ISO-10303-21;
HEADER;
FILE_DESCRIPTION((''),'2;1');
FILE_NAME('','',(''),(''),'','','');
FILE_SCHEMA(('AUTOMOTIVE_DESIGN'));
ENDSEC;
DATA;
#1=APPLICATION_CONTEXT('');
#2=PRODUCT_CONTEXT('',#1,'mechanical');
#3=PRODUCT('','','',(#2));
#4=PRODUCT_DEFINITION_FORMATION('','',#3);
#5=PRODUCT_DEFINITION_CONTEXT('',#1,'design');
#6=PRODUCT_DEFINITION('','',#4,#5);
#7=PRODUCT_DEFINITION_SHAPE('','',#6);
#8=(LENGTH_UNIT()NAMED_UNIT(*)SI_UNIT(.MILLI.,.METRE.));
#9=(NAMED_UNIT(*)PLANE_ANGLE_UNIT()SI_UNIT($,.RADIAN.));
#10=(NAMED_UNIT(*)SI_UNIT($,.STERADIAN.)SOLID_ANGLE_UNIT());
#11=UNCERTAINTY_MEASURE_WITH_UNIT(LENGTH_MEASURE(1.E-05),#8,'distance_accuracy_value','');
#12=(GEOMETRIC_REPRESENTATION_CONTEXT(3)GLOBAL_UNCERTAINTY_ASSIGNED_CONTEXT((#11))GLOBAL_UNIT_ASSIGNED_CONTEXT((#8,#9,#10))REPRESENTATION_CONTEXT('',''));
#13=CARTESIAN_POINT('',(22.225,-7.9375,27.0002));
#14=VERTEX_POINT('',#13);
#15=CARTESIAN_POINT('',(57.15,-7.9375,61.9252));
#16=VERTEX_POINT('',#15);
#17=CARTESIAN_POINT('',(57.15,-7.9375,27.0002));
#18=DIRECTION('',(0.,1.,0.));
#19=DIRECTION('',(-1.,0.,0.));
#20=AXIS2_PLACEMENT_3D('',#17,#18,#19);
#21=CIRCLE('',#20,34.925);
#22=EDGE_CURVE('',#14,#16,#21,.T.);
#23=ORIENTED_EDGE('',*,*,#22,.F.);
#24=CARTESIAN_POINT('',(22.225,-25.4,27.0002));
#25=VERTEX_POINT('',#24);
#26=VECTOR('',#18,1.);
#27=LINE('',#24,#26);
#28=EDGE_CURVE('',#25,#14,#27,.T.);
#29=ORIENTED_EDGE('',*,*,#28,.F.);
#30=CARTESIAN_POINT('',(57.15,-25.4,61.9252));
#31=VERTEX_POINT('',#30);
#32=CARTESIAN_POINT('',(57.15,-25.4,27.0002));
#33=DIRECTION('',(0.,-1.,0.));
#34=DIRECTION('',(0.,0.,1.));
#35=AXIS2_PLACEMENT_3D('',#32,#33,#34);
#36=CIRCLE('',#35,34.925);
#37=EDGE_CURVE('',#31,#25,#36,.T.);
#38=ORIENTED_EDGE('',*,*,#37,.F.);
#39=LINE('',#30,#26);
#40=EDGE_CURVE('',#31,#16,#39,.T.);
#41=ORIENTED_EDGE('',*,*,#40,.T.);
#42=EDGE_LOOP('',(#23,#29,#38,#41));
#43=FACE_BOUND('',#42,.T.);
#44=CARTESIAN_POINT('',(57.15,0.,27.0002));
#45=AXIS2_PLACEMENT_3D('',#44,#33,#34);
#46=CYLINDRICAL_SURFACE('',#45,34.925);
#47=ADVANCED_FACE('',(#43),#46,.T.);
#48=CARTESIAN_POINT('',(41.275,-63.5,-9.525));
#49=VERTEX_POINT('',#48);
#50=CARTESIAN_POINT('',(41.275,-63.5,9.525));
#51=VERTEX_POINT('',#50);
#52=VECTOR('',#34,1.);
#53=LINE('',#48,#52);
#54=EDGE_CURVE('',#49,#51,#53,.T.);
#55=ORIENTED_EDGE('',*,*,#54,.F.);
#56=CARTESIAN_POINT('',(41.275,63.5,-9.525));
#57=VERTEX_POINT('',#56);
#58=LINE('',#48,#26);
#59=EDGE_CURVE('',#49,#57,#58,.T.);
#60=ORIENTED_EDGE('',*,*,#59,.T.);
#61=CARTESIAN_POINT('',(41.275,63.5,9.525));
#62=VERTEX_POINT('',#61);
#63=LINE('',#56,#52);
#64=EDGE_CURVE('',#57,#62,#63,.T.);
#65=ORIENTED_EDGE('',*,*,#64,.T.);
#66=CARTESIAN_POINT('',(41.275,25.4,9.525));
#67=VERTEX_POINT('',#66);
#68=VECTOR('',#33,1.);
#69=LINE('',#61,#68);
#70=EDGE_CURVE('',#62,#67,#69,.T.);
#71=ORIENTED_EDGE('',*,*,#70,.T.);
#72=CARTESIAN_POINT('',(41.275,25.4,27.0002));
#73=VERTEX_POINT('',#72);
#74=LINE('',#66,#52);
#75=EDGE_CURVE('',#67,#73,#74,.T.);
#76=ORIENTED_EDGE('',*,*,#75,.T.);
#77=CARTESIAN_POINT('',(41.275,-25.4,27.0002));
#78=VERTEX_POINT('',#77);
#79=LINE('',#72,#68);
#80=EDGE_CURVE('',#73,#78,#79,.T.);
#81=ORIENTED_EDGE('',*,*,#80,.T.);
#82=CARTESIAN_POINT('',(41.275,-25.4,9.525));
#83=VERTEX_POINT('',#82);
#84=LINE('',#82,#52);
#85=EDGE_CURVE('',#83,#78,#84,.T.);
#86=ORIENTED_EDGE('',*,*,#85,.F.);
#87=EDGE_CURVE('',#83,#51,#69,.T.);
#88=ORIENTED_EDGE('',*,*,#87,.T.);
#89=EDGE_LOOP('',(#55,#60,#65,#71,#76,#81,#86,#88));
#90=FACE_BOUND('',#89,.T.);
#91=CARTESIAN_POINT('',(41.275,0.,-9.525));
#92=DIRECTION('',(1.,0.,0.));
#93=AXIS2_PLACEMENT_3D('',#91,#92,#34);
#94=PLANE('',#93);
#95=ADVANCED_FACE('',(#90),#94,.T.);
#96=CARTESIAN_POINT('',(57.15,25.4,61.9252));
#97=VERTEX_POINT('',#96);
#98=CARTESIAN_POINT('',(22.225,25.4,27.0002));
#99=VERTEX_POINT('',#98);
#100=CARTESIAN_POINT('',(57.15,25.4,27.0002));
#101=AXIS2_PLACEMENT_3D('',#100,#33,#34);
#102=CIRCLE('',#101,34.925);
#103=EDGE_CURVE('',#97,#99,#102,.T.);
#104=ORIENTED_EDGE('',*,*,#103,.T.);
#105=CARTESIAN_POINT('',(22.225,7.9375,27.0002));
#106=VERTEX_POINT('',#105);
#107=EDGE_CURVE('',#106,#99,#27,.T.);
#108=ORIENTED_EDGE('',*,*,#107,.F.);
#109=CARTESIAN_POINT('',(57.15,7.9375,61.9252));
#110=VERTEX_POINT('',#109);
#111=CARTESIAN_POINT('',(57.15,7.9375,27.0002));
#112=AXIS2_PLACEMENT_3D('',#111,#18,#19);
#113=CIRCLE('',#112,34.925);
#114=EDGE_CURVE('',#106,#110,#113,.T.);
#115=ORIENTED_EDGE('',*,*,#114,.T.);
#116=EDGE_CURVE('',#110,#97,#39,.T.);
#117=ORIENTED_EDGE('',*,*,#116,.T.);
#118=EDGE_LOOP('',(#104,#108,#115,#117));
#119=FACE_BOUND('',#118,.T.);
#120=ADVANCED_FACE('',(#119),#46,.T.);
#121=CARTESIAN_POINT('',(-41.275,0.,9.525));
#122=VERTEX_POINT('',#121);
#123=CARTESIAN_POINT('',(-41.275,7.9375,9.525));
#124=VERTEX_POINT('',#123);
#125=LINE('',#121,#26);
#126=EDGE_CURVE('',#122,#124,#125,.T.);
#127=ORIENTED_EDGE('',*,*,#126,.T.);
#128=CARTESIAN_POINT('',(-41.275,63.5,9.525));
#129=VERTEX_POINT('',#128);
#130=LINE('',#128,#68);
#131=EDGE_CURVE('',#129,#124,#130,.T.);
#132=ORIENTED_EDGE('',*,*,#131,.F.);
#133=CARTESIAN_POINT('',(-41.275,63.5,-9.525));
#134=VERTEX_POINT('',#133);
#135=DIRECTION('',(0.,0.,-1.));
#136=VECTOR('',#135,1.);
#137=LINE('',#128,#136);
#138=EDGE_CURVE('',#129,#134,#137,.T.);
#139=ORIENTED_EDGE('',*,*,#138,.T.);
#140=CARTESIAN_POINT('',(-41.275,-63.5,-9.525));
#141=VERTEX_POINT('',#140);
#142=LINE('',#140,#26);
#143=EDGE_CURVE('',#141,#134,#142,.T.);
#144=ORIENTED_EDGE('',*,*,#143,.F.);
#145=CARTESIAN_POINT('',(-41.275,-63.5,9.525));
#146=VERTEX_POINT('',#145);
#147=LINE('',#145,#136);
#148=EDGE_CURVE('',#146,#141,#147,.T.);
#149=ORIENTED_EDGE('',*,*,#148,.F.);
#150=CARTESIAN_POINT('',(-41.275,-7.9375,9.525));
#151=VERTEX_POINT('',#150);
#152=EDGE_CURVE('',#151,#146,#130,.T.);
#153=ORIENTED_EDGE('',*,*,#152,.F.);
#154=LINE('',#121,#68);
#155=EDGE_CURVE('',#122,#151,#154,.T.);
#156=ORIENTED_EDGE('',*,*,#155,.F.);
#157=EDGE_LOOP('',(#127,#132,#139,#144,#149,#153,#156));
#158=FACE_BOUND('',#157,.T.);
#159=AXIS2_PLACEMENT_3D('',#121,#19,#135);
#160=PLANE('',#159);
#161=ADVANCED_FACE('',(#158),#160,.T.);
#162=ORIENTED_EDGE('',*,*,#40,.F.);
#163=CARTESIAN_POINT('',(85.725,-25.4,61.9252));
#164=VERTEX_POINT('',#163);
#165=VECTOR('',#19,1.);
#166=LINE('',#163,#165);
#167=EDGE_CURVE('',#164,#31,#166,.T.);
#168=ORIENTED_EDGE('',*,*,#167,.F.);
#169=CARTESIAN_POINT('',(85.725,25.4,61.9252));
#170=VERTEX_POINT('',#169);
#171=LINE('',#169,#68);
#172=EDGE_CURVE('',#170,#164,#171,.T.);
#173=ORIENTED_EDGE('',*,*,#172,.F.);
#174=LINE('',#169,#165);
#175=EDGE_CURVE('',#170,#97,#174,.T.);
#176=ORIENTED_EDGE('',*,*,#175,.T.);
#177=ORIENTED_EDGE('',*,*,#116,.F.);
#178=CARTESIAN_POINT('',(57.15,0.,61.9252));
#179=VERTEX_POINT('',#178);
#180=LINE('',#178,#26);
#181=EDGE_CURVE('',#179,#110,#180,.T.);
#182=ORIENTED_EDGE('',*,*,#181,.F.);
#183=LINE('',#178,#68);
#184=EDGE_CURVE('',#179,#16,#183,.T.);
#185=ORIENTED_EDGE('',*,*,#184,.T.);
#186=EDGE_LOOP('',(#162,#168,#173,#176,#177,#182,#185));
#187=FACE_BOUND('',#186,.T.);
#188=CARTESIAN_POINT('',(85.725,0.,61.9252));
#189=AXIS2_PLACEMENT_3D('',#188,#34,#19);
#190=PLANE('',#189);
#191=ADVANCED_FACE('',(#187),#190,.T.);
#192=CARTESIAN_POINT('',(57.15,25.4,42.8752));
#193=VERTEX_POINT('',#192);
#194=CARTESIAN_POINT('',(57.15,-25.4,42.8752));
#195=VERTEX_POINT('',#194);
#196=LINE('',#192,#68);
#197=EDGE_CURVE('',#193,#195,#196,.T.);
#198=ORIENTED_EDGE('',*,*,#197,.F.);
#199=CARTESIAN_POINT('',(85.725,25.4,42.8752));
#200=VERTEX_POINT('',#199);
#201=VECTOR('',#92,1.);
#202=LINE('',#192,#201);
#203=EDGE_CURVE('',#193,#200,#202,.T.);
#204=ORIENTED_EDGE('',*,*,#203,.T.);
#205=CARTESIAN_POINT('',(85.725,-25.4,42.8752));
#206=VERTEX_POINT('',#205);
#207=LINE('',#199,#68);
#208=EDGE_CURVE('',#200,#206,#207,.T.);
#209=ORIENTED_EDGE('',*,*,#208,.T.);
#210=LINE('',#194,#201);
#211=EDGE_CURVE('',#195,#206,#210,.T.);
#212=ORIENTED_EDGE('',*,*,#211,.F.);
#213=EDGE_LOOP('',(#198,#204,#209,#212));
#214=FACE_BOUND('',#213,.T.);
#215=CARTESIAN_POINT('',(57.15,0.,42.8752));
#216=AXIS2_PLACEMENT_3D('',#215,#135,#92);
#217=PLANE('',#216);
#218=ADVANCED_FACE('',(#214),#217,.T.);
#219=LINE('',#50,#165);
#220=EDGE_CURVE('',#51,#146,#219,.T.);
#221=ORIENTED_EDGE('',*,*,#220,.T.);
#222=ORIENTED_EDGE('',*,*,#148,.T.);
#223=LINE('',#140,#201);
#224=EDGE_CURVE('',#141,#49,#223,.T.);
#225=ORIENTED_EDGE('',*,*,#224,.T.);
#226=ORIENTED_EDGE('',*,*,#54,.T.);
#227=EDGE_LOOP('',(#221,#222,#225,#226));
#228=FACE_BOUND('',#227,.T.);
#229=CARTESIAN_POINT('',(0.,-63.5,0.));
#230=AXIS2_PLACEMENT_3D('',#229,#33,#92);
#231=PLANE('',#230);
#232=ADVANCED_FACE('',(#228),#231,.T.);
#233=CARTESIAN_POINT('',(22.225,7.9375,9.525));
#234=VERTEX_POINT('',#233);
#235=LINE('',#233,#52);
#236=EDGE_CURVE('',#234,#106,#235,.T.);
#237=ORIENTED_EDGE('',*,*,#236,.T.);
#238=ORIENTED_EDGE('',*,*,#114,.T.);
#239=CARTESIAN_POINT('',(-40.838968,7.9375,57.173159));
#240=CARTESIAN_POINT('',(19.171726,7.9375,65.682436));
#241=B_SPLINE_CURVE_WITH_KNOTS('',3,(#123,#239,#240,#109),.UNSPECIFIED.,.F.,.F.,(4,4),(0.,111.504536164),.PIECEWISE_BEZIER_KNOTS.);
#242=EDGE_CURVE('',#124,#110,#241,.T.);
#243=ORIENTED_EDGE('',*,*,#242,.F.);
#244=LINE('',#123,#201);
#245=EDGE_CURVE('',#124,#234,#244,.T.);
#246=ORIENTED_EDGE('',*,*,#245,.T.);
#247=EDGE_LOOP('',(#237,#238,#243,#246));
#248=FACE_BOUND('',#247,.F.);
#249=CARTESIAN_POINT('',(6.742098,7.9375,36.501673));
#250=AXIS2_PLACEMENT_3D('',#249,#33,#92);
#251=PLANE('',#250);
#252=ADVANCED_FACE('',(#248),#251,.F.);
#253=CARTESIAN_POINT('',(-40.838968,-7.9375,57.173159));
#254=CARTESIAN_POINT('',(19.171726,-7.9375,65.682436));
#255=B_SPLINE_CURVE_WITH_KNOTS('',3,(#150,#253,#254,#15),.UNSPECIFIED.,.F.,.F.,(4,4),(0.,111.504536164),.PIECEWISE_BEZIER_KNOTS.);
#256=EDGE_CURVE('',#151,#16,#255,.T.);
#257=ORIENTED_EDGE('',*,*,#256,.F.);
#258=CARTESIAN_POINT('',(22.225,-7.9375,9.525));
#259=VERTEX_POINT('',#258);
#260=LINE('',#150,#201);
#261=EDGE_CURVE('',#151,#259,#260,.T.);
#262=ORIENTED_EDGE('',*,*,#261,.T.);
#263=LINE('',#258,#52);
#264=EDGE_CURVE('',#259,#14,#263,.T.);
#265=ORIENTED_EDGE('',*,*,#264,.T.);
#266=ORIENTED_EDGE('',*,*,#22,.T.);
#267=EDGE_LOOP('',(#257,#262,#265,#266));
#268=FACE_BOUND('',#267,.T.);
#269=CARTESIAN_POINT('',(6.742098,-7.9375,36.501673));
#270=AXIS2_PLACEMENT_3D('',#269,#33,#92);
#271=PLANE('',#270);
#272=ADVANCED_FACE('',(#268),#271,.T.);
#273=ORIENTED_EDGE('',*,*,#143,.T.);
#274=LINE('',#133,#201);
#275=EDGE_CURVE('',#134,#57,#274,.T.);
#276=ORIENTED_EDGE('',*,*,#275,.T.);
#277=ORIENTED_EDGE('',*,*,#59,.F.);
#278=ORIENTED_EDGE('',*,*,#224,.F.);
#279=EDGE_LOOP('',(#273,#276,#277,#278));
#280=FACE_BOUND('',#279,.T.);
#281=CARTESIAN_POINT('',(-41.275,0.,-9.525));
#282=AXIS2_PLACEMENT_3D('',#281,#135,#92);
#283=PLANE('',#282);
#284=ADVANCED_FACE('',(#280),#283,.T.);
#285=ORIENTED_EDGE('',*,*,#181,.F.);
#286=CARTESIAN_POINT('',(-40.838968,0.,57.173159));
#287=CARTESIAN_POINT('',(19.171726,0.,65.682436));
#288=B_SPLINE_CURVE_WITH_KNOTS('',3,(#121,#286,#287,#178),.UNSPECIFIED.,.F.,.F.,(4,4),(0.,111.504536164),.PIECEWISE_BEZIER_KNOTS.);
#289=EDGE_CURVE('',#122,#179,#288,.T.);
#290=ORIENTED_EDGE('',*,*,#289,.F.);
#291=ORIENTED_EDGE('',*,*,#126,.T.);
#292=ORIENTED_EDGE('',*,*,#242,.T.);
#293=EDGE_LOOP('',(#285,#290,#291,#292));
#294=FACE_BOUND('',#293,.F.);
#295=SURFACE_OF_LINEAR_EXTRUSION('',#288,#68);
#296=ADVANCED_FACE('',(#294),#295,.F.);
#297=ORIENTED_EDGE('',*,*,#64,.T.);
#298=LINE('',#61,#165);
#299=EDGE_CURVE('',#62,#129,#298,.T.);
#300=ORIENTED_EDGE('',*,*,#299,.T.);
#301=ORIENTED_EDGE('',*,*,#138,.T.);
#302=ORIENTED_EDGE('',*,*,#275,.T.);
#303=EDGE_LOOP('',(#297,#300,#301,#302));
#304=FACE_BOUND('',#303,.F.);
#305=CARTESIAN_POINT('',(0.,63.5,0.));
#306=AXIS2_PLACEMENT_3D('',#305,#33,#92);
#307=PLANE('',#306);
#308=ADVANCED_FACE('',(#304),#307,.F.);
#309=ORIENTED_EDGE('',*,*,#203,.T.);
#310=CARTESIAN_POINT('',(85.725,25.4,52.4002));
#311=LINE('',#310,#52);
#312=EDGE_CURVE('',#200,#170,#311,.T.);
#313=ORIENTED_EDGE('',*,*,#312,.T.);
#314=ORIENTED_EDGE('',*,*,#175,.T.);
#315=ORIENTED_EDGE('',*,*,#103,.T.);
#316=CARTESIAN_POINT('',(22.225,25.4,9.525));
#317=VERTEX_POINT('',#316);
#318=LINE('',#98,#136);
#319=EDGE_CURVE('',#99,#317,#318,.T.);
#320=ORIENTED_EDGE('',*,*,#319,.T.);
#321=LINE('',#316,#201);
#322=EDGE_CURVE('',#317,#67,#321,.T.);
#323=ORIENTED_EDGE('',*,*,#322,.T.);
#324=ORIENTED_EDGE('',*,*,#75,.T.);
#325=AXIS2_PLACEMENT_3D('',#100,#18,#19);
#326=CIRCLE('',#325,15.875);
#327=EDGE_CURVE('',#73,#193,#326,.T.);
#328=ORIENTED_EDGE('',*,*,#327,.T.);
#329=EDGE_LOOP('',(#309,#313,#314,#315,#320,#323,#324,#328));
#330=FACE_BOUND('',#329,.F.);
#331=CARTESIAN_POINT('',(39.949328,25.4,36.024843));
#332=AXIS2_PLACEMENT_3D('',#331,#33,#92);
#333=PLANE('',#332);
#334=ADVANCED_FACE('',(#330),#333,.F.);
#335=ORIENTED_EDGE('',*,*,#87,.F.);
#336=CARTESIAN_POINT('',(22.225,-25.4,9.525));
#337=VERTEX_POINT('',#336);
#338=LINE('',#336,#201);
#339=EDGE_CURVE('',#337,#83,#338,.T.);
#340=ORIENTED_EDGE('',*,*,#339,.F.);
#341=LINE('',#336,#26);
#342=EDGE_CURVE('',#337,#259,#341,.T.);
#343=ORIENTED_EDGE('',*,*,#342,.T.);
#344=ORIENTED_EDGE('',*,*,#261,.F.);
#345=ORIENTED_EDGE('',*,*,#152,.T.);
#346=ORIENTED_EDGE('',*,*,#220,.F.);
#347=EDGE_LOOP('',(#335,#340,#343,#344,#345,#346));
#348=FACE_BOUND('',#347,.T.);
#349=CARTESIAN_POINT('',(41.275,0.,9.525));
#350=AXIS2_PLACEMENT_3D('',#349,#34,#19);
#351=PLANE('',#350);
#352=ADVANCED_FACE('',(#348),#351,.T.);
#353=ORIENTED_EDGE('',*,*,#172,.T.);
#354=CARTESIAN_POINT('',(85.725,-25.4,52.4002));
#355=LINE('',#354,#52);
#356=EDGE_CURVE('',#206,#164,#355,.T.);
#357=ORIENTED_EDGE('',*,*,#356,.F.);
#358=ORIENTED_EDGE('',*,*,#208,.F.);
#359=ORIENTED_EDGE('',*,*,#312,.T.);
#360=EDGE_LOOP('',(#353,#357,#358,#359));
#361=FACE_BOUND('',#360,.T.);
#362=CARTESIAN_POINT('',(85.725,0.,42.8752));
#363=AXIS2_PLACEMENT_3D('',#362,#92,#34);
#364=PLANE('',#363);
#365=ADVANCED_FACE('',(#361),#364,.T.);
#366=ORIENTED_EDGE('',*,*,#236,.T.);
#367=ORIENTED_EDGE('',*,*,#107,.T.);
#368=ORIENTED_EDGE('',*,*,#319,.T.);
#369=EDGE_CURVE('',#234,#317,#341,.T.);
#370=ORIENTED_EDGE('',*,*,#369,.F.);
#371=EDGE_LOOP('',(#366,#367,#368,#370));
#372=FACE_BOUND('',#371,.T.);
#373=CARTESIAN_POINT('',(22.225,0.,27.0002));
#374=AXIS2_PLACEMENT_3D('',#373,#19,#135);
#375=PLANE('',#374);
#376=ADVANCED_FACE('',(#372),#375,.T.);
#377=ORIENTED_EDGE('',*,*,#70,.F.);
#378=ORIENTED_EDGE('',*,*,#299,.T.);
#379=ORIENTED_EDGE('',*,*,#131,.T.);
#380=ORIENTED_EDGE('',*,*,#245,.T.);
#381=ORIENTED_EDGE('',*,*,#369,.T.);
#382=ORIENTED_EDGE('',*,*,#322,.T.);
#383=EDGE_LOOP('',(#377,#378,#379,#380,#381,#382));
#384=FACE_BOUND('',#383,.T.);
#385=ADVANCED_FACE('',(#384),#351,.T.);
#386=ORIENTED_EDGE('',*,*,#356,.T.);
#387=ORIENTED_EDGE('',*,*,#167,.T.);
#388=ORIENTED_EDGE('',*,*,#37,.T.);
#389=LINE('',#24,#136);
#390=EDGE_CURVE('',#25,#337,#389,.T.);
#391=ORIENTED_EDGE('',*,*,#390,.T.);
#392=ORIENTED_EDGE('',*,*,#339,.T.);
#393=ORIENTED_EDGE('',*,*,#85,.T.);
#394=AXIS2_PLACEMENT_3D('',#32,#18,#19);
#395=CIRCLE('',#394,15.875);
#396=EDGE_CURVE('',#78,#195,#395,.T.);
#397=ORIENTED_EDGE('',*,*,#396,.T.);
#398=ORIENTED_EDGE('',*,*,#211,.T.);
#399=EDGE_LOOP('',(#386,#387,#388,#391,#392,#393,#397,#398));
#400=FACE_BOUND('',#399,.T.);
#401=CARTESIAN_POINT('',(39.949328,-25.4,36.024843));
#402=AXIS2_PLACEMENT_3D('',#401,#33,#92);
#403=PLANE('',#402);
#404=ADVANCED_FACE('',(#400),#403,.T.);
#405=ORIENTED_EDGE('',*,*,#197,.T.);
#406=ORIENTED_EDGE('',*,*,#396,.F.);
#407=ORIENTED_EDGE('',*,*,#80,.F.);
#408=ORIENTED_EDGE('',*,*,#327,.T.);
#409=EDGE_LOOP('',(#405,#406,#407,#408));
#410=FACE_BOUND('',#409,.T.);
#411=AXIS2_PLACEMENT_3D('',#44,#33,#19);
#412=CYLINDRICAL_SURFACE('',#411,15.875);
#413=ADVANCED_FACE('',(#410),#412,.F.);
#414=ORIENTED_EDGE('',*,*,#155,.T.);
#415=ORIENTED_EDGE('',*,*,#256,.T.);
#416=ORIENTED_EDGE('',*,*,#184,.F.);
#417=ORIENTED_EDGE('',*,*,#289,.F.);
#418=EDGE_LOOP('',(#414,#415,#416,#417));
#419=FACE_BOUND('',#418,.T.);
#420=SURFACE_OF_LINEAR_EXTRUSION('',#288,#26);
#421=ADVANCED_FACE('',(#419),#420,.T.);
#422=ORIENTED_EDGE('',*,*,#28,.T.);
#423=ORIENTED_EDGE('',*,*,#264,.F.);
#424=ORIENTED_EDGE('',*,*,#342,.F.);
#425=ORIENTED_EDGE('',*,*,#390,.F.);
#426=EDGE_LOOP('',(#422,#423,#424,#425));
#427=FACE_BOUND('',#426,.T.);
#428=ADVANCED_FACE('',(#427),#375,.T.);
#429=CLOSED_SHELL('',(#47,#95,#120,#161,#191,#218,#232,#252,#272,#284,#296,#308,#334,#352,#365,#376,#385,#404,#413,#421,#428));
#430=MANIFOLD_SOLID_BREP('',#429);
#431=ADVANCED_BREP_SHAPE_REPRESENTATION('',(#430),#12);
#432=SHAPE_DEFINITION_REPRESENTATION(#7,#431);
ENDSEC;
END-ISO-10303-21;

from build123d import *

# Parameters (mm, degrees)
F1_DEPTH = 63.5
F0_W     = 25.4
F0_H     = 19.05
F2_DEPTH = 25.4
F3_DEPTH = 7.9375


with BuildPart() as f1:
    # F0 (on Front) → F1 (new body, symmetric)
    with BuildSketch(Plane.XZ):
        Polygon((41.275, -9.525), (41.275, 9.525), (22.225, 9.525), (-41.275, 9.525), (-41.275, -9.525), align=None)
    extrude(amount=F1_DEPTH, both=True)

    # F0 (on Front) → F2 (join, symmetric)
    with BuildSketch(Plane.XZ):
        with BuildLine():
            Line((22.225, 9.525), (41.275, 9.525))
            Line((41.275, 9.525), (41.275, 27.0002))
            ThreePointArc((41.275, 27.0002), (45.9246798487, 38.2255201513), (57.15, 42.8752))
            Line((57.15, 42.8752), (60.325, 42.8752))
            Line((60.325, 42.8752), (60.325, 61.9252))
            Line((60.325, 61.9252), (57.15, 61.9252))
            ThreePointArc((57.15, 61.9252), (32.4542956671, 51.6959043329), (22.225, 27.0002))
            Line((22.225, 27.0002), (22.225, 9.525))
        make_face()
        with Locations((73.025, 52.4002)):
            Rectangle(F0_W, F0_H)
    extrude(amount=F2_DEPTH, both=True)

    # F0 (on Front) → F3 (join, symmetric)
    with BuildSketch(Plane.XZ):
        with BuildLine():
            Line((-41.275, 9.525), (22.225, 9.525))
            Line((22.225, 9.525), (22.225, 27.0002))
            ThreePointArc((22.225, 27.0002), (32.4542956671, 51.6959043329), (57.15, 61.9252))
            add(Edge.make_bspline(
                [(-41.275, 9.525), (-40.8389680088, 57.1731589735), (19.1717255543, 65.6824364242), (57.15, 61.9252)],
                knots=[0, 0, 0, 0, 111.5045361635, 111.5045361635, 111.5045361635, 111.5045361635], degree=3))
        make_face()
    extrude(amount=F3_DEPTH, both=True)


solid = f1.part
